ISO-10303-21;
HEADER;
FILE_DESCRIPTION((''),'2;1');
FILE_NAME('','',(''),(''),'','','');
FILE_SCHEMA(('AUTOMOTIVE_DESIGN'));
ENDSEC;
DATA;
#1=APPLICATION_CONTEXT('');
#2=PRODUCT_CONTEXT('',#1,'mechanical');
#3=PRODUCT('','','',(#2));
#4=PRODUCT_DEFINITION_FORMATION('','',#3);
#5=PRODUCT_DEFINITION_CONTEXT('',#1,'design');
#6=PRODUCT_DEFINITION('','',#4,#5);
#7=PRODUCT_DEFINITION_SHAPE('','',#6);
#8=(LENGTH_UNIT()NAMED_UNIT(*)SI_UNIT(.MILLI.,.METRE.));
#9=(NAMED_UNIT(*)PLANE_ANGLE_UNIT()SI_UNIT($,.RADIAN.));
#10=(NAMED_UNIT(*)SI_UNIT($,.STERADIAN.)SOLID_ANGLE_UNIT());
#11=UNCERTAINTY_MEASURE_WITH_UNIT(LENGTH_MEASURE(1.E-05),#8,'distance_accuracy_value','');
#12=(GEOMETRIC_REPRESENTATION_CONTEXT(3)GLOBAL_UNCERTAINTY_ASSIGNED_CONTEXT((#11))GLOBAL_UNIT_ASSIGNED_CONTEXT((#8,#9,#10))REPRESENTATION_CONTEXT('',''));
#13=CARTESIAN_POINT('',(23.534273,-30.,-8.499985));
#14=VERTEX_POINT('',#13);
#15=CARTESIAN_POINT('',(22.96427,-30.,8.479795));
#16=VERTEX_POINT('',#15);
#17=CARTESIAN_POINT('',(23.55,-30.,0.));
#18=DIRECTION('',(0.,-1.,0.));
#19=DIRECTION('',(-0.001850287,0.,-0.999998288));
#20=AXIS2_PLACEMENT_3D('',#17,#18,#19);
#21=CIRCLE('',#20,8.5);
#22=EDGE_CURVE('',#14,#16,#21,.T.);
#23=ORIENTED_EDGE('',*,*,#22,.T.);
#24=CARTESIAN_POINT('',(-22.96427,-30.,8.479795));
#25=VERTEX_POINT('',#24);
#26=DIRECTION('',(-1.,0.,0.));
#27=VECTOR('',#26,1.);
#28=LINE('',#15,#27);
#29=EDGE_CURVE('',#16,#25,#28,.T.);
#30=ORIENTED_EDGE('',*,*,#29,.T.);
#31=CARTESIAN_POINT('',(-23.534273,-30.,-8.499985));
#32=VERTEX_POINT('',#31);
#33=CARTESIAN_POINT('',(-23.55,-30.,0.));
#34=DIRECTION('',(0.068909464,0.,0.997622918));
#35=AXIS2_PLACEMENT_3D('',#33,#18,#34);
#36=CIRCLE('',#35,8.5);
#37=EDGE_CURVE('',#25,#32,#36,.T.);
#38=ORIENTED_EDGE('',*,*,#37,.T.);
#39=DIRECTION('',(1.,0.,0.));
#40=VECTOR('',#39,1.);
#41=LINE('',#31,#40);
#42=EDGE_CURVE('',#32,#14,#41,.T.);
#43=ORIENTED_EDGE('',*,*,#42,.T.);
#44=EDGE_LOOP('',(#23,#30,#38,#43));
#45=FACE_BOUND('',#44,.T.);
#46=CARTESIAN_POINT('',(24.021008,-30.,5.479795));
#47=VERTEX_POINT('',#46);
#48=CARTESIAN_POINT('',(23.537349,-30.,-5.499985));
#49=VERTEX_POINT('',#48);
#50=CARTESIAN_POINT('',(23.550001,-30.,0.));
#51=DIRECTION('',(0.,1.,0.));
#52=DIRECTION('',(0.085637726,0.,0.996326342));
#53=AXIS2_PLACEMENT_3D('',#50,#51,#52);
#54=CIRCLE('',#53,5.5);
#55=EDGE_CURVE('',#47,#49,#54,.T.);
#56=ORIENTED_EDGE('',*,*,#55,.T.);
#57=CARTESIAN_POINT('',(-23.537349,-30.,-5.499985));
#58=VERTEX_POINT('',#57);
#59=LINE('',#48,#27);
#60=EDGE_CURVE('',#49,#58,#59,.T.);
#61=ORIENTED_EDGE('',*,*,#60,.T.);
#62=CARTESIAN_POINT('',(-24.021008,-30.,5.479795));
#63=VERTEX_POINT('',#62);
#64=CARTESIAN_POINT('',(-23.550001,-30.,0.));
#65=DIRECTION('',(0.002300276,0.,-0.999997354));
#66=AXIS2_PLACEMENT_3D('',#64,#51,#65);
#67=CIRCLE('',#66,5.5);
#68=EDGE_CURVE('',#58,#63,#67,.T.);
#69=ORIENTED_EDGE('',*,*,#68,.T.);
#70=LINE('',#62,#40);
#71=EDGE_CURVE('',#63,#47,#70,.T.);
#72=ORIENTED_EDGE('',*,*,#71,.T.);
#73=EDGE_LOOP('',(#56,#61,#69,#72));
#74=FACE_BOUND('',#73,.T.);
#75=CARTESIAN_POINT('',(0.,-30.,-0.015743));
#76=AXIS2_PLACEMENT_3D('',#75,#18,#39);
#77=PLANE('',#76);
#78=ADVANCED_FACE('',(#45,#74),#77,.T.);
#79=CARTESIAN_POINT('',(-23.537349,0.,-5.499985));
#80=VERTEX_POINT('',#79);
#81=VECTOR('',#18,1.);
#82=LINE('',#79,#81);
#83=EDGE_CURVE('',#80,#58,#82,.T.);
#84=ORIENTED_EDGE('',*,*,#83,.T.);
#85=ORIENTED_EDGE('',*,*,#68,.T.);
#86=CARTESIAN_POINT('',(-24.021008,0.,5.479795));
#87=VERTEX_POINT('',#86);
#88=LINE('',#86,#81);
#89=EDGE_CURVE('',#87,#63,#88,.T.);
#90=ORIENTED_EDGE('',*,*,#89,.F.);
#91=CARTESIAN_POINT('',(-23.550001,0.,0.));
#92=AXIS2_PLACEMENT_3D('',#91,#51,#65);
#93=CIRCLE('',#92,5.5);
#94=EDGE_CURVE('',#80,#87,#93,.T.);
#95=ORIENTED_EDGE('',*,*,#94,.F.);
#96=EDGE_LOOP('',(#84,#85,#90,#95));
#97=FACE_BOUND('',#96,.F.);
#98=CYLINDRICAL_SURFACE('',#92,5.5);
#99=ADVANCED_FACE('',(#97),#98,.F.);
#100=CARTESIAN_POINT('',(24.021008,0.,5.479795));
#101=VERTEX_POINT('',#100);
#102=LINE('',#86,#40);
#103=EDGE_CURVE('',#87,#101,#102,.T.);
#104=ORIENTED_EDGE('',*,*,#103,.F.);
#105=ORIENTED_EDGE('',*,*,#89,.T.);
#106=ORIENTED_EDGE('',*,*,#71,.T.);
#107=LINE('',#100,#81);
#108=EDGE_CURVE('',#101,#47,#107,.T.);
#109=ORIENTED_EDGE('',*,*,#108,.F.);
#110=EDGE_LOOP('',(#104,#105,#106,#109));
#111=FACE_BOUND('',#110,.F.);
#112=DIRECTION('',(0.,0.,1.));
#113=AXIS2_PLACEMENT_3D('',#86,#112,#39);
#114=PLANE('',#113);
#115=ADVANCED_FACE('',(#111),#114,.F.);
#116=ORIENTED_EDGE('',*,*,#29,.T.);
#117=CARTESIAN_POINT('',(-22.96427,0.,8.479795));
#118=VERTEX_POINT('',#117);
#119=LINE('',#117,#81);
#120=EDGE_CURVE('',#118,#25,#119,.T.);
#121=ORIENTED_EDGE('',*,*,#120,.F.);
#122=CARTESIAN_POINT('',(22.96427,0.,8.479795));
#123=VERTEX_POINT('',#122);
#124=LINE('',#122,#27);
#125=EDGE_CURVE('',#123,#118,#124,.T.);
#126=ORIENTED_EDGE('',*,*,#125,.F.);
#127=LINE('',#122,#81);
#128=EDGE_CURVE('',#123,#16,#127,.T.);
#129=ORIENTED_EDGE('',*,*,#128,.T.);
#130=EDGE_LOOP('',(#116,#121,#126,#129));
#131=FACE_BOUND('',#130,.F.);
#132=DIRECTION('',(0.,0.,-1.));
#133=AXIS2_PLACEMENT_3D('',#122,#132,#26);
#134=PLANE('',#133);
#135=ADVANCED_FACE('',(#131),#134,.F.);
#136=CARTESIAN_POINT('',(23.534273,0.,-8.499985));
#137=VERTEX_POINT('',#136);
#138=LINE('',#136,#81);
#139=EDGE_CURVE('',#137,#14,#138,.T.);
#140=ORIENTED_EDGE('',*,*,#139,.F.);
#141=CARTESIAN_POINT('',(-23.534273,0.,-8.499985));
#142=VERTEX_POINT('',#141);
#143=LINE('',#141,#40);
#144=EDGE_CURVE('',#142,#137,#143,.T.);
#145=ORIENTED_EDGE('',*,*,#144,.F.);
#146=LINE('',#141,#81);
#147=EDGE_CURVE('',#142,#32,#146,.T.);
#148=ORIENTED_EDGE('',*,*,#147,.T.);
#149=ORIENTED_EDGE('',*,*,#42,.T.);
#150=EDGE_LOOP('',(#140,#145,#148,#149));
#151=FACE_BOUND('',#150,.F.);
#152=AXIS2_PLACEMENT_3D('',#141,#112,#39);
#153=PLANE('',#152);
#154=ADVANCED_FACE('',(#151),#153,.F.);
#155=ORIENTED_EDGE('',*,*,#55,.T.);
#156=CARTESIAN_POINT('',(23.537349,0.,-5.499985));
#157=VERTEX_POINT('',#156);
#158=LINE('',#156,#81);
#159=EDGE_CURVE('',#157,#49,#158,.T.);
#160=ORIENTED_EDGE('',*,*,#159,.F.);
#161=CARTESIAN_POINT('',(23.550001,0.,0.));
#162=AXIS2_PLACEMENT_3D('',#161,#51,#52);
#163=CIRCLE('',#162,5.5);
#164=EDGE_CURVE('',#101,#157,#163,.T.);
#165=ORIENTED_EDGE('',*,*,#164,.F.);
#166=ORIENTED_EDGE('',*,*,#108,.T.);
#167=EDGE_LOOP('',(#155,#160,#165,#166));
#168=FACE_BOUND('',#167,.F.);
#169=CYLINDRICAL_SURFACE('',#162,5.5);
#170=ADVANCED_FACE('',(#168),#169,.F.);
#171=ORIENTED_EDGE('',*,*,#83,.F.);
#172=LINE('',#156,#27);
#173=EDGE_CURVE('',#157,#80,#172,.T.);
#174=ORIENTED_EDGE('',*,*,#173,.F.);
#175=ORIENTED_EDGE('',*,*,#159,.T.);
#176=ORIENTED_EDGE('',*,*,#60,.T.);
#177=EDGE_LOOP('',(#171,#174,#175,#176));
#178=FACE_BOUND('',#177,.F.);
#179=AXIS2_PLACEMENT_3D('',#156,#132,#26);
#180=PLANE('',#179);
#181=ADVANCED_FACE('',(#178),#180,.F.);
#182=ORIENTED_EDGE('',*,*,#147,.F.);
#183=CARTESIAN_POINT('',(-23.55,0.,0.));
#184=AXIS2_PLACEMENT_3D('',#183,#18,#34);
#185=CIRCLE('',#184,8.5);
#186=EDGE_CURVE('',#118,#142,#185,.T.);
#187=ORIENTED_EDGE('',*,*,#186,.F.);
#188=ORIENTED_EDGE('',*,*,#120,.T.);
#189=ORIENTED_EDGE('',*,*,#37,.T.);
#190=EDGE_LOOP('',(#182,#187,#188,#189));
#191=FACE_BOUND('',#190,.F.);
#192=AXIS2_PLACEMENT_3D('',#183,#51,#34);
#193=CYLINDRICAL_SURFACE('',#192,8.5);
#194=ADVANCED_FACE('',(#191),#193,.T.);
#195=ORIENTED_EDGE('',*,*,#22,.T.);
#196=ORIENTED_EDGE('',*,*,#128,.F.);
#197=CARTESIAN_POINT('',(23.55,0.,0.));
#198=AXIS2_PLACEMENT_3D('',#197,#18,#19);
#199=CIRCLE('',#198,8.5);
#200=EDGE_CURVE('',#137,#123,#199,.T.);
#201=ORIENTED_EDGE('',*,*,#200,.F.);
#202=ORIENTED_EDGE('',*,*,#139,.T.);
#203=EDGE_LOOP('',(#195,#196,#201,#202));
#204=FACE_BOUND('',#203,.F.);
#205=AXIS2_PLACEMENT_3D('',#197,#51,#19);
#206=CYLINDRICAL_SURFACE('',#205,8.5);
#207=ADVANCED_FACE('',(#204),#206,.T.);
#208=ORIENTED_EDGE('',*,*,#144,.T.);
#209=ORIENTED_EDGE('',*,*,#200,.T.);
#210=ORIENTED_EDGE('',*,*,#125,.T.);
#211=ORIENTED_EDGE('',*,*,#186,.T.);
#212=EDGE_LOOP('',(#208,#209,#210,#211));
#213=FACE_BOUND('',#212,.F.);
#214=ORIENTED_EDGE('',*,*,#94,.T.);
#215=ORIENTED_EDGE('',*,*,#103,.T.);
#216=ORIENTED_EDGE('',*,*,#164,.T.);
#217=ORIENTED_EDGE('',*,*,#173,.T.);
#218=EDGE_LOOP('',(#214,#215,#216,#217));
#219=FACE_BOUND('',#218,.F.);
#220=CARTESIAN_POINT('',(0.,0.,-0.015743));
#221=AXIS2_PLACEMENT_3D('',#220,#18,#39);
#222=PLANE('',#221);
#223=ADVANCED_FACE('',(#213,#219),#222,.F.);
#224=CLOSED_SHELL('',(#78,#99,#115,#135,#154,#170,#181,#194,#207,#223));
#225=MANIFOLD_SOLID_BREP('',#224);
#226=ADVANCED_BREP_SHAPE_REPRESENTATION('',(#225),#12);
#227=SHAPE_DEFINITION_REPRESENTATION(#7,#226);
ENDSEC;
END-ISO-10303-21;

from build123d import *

# Parameters (mm, degrees)
F1_DEPTH = 30


with BuildPart() as f1:
    # F0 (on Front) → F1 (new body)
    with BuildSketch(Plane.XZ):
        with BuildLine():
            Line((0, 8.479795), (-22.96427, 8.479795))
            ThreePointArc((-22.96427, 8.479795), (-32.045215, 0.28518), (-23.534273, -8.499985))
            Line((-23.534273, -8.499985), (-0.645361, -8.499985))
            Line((-0.645361, -8.499985), (0.645361, -8.499985))
            Line((0.645361, -8.499985), (23.534273, -8.499985))
            ThreePointArc((23.534273, -8.499985), (32.045215, 0.28518), (22.96427, 8.479795))
            Line((22.96427, 8.479795), (0, 8.479795))
        make_face()
        with BuildLine():
            ThreePointArc((-23.537349, -5.499985), (-29.044672, -0.24204), (-24.021008, 5.479795))
            Line((-24.021008, 5.479795), (0, 5.479795))
            Line((0, 5.479795), (24.021008, 5.479795))
            ThreePointArc((24.021008, 5.479795), (29.044672, -0.24204), (23.537349, -5.499985))
            Line((23.537349, -5.499985), (0, -5.499985))
            Line((0, -5.499985), (-23.537349, -5.499985))
        make_face(mode=Mode.SUBTRACT)
    extrude(amount=F1_DEPTH)


solid = f1.part
